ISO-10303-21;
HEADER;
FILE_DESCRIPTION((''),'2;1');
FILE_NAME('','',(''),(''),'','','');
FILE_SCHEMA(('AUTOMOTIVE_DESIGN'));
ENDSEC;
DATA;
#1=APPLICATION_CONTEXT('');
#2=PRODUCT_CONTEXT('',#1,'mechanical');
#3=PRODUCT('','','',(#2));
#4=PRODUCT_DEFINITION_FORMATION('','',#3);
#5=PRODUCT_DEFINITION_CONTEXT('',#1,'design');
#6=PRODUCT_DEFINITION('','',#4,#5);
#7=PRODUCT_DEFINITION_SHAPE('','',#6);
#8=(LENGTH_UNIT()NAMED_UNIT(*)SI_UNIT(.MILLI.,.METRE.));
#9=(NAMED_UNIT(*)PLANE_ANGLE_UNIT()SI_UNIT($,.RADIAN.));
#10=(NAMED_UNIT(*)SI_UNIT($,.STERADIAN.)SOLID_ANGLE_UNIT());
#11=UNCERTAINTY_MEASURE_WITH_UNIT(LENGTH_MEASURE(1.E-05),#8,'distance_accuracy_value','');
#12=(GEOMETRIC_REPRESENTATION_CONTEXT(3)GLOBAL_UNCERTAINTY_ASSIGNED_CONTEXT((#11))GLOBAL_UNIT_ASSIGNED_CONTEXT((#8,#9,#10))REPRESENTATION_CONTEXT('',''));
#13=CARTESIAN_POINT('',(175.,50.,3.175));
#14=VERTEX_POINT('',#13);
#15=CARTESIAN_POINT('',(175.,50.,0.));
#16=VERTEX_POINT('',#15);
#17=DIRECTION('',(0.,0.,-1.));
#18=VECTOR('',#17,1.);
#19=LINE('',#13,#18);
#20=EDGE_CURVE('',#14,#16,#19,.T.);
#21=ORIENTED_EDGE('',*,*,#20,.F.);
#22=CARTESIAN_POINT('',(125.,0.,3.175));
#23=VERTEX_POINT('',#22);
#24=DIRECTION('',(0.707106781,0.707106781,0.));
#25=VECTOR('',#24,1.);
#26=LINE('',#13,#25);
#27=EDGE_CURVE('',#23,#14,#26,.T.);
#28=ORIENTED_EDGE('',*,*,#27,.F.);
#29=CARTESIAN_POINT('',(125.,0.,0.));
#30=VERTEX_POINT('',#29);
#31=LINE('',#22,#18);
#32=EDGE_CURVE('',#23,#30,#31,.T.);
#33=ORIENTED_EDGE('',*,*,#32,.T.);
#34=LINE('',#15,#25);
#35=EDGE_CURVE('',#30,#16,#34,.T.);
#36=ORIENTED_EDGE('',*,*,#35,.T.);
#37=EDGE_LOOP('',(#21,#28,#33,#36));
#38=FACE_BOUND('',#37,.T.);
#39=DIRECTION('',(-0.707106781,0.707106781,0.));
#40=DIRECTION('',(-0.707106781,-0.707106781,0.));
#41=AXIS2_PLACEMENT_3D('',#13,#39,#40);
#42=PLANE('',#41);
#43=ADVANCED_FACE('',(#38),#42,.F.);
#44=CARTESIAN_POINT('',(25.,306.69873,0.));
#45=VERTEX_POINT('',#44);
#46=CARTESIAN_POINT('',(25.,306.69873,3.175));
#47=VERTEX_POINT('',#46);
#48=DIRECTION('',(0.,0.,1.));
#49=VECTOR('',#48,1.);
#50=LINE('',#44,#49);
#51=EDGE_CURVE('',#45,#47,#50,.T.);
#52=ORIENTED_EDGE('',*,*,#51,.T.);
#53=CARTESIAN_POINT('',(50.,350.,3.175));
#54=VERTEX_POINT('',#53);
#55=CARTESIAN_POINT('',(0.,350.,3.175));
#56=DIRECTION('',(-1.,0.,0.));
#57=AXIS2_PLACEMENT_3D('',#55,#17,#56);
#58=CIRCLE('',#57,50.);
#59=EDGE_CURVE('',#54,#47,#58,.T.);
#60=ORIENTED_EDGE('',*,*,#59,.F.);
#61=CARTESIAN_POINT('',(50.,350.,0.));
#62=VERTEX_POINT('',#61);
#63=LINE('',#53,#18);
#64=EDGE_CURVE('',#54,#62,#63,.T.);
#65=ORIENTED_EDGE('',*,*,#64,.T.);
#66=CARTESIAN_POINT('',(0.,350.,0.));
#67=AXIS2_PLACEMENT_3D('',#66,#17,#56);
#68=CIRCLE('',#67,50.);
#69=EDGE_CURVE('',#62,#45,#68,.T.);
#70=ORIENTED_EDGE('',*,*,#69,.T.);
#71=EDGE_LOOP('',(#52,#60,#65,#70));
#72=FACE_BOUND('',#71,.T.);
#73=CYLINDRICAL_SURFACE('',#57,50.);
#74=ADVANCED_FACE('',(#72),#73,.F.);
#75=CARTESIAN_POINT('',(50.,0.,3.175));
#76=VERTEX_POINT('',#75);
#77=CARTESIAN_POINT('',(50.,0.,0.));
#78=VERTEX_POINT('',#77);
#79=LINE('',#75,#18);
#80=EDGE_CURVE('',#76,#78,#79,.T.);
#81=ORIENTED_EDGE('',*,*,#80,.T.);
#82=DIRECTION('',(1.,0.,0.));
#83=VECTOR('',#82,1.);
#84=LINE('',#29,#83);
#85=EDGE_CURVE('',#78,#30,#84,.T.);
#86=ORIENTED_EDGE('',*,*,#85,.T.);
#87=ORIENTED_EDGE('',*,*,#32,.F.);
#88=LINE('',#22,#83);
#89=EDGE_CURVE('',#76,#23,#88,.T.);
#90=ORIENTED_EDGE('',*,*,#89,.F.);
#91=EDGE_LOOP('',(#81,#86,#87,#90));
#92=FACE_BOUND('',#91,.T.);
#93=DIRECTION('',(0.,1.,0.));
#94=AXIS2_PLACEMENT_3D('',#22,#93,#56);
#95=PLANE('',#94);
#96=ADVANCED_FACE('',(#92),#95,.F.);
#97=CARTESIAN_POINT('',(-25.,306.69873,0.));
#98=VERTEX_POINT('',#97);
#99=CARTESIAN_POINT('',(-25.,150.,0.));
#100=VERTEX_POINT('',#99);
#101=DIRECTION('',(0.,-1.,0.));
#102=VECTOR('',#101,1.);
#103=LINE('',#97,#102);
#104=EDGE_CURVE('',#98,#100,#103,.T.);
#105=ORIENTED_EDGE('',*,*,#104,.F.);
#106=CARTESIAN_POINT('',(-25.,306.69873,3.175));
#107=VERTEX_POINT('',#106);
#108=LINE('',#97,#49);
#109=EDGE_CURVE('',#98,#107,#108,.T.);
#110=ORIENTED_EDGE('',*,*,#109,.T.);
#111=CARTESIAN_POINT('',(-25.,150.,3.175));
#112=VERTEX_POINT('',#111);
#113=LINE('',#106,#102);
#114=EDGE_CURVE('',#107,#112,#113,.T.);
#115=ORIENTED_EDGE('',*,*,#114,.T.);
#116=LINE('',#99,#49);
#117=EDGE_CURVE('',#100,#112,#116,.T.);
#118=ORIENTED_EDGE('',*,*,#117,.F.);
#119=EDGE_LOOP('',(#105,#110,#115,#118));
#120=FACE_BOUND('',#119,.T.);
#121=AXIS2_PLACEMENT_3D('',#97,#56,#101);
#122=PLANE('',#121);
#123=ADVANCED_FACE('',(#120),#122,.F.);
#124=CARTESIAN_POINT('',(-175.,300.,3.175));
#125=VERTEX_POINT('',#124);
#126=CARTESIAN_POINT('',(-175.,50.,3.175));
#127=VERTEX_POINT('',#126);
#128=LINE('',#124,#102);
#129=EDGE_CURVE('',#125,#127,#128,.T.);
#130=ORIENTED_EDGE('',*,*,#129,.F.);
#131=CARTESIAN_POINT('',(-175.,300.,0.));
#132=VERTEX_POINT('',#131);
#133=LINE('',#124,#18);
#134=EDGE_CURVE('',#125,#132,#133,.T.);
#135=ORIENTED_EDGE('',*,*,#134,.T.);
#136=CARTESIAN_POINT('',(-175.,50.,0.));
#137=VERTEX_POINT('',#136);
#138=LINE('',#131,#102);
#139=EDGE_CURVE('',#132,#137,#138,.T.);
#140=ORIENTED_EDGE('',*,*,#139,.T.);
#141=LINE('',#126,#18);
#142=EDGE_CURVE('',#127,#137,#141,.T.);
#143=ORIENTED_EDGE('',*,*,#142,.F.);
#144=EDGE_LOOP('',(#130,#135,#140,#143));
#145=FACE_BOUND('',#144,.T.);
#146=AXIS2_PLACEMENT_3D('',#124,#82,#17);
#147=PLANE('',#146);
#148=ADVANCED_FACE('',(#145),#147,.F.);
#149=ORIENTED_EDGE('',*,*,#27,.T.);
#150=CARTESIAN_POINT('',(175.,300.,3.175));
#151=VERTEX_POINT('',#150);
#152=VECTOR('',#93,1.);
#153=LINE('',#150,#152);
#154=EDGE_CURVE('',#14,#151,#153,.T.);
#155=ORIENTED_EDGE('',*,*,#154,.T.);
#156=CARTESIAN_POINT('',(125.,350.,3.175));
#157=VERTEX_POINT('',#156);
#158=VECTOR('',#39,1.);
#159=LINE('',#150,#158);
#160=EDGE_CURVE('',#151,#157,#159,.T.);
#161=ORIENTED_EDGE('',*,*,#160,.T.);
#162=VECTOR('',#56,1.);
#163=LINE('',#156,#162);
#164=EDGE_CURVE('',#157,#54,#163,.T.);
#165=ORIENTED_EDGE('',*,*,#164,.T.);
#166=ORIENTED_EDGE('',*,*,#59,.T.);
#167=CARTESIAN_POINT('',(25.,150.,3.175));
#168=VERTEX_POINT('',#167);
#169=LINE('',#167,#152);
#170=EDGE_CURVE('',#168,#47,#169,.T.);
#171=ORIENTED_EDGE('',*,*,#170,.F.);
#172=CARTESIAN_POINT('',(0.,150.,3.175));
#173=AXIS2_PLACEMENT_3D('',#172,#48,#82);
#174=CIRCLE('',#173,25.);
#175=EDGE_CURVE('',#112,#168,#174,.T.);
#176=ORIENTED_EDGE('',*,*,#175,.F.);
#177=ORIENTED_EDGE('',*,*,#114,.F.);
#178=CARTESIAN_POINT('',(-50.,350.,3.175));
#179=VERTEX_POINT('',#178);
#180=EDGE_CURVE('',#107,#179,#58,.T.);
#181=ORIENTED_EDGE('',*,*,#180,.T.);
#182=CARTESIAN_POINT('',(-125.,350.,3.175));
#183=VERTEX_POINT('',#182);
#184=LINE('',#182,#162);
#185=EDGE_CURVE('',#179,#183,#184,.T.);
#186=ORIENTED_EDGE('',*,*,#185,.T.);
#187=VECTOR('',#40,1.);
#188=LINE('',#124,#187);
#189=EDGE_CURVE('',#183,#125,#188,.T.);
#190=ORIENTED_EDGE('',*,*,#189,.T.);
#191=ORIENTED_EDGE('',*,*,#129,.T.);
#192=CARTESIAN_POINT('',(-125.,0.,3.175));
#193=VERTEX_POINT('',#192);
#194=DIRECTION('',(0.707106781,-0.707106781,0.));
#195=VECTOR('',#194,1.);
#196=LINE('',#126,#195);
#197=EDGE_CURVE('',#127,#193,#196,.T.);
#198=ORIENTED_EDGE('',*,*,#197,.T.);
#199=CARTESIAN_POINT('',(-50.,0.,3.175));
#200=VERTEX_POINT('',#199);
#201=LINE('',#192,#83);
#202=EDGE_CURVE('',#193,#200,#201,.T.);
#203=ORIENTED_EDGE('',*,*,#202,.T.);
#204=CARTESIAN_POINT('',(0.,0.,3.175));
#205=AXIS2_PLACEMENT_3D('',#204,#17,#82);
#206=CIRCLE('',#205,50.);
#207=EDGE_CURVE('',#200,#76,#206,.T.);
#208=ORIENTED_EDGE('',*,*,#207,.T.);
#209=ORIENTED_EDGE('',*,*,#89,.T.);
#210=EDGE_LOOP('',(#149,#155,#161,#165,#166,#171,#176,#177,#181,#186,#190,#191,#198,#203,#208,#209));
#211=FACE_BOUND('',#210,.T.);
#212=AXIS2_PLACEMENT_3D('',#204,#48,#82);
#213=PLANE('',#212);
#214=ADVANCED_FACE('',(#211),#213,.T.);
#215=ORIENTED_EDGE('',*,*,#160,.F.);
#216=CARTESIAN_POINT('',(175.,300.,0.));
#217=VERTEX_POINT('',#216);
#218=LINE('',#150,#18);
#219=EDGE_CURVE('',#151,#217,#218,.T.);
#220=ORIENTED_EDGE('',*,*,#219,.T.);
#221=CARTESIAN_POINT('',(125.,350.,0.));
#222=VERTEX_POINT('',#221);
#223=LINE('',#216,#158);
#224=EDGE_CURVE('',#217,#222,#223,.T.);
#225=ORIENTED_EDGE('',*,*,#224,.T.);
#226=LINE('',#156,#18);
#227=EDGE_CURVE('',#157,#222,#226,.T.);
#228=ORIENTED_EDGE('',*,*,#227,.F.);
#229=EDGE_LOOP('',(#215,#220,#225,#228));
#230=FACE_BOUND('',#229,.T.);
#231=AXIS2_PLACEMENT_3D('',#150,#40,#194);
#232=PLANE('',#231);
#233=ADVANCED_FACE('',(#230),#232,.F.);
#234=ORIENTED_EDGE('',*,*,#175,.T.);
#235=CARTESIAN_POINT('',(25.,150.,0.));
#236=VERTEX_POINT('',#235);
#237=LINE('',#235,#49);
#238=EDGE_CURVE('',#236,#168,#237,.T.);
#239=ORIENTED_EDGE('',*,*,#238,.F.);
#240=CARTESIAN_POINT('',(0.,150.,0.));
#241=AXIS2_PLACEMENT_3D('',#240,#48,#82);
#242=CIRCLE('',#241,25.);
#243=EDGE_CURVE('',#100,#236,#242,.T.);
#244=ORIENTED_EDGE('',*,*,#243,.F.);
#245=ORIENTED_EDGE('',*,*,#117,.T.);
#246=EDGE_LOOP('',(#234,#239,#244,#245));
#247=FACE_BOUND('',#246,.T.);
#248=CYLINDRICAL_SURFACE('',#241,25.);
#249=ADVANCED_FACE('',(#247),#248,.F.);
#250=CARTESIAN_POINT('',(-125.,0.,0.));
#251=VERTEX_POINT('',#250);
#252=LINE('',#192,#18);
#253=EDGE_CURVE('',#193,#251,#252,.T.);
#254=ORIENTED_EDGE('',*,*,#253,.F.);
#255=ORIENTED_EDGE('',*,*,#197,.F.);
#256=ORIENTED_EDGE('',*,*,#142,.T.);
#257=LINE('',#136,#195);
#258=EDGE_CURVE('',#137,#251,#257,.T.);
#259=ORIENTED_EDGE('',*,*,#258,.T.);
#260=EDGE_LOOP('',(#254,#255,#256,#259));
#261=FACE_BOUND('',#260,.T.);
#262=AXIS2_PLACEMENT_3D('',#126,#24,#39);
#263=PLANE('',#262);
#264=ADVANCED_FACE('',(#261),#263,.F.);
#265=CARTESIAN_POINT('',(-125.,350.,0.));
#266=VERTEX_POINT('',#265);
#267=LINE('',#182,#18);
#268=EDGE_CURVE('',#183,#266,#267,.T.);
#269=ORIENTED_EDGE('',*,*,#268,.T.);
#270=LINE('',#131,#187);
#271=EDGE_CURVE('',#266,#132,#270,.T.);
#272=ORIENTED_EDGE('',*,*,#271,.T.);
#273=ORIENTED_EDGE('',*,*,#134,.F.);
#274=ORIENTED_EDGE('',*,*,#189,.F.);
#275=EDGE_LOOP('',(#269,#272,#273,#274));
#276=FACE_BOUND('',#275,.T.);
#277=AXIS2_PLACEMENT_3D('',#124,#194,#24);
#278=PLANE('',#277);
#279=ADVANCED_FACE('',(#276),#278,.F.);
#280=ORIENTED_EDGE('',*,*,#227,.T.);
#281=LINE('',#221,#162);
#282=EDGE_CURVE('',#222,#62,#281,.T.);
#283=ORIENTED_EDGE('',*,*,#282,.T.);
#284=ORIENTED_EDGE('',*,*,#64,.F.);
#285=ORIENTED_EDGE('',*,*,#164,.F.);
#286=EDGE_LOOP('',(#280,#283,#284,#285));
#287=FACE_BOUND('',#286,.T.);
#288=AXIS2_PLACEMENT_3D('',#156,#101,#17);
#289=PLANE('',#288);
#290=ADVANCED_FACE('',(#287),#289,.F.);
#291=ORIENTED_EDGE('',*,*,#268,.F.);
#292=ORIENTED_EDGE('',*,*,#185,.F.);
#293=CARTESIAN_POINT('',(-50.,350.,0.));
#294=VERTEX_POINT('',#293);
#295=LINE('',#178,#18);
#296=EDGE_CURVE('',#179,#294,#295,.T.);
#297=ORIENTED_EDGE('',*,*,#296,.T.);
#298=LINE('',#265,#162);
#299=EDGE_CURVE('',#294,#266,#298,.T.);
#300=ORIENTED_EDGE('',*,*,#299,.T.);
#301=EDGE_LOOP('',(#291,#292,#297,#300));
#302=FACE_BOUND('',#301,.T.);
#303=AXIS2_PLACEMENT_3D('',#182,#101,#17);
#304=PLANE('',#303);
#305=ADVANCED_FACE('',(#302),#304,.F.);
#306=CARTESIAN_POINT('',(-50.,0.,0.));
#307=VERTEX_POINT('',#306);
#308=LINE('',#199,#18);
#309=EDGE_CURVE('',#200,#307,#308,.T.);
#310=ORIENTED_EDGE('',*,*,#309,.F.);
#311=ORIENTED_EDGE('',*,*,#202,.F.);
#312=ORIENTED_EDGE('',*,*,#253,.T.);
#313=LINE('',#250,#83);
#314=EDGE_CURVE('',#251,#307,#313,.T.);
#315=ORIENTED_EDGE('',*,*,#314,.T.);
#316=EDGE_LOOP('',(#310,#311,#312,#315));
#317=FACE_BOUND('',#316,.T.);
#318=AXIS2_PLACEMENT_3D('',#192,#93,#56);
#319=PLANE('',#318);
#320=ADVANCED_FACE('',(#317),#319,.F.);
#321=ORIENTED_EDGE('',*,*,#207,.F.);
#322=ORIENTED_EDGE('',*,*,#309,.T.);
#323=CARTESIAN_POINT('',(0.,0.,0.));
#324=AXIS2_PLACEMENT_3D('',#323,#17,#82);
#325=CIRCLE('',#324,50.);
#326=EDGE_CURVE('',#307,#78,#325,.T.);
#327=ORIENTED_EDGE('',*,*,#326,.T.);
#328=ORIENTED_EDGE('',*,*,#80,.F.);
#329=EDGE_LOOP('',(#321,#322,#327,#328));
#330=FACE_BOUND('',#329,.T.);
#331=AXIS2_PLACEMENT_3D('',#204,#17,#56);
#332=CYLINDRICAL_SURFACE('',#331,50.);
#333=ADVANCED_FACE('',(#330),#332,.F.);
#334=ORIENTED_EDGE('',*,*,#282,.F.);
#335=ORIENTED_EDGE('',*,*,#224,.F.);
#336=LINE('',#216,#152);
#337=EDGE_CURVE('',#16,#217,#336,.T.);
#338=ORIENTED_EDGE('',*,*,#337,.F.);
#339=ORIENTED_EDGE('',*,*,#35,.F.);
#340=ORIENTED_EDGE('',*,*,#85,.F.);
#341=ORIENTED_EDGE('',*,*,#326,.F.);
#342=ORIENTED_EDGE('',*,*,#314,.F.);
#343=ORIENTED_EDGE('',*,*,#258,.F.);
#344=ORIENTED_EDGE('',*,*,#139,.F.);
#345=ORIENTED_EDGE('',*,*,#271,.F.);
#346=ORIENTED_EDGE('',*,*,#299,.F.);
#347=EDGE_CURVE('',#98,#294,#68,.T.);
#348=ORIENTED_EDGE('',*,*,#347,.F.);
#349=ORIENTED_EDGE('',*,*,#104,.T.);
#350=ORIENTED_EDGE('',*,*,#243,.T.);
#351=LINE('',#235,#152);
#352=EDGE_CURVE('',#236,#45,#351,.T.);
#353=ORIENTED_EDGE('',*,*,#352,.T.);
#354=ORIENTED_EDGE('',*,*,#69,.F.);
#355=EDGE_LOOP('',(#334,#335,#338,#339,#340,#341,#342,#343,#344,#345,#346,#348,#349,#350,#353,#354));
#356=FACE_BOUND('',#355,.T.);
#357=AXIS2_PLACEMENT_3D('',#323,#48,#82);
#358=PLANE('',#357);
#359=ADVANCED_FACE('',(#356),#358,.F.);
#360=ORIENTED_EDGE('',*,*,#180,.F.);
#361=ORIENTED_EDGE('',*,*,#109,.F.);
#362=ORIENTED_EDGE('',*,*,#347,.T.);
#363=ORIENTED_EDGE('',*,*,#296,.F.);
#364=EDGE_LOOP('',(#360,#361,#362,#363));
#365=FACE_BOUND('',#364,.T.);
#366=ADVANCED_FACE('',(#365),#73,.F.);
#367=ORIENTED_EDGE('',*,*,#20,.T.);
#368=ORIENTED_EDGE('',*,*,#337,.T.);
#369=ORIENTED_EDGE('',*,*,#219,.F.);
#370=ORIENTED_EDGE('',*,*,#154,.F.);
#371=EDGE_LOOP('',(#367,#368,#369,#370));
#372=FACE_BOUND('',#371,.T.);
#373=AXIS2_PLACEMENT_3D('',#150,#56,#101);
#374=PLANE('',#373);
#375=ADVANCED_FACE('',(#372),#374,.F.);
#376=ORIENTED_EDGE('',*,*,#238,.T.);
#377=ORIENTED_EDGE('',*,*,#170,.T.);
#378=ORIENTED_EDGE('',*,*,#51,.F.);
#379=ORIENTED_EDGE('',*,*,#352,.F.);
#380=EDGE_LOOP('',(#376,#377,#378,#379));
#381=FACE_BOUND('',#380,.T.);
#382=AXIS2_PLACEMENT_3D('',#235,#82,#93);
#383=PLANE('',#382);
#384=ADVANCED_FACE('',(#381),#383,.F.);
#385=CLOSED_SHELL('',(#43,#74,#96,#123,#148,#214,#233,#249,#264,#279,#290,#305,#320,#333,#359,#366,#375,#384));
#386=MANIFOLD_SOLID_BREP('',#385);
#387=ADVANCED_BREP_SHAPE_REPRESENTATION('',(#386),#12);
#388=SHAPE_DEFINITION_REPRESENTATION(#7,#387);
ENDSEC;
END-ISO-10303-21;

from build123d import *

# Parameters (mm, degrees)
BOSS_EXTRUDE1_DEPTH = 3.175
CUT_EXTRUDE1_DEPTH  = 3.175


with BuildPart() as part:
    # Sketch1 → Boss-Extrude1 (new body)
    with BuildSketch(Plane.XY):
        with BuildLine():
            Line((175, 300), (175, 50))
            Line((175, 50), (125, 0))
            Line((125, 0), (50, 0))
            ThreePointArc((50, 0), (0, 50), (-50, 0))
            Line((-50, 0), (-125, 0))
            Line((-125, 0), (-175, 50))
            Line((-175, 50), (-175, 300))
            Line((-175, 300), (-125, 350))
            Line((-125, 350), (-50, 350))
            ThreePointArc((-50, 350), (0, 300), (50, 350))
            Line((50, 350), (125, 350))
            Line((125, 350), (175, 300))
        make_face()
    extrude(amount=BOSS_EXTRUDE1_DEPTH)

    # Sketch2 → Cut-Extrude1 (cut)
    with BuildSketch(Plane.XY.offset(3.175)):
        with BuildLine():
            Line((-25, 306.698729811), (-25, 150))
            ThreePointArc((-25, 150), (0, 125), (25, 150))
            Line((25, 150), (25, 306.698729811))
            ThreePointArc((25, 306.698729811), (0, 300), (-25, 306.698729811))
        make_face()
    extrude(amount=-CUT_EXTRUDE1_DEPTH, mode=Mode.SUBTRACT)


solid = part.part
